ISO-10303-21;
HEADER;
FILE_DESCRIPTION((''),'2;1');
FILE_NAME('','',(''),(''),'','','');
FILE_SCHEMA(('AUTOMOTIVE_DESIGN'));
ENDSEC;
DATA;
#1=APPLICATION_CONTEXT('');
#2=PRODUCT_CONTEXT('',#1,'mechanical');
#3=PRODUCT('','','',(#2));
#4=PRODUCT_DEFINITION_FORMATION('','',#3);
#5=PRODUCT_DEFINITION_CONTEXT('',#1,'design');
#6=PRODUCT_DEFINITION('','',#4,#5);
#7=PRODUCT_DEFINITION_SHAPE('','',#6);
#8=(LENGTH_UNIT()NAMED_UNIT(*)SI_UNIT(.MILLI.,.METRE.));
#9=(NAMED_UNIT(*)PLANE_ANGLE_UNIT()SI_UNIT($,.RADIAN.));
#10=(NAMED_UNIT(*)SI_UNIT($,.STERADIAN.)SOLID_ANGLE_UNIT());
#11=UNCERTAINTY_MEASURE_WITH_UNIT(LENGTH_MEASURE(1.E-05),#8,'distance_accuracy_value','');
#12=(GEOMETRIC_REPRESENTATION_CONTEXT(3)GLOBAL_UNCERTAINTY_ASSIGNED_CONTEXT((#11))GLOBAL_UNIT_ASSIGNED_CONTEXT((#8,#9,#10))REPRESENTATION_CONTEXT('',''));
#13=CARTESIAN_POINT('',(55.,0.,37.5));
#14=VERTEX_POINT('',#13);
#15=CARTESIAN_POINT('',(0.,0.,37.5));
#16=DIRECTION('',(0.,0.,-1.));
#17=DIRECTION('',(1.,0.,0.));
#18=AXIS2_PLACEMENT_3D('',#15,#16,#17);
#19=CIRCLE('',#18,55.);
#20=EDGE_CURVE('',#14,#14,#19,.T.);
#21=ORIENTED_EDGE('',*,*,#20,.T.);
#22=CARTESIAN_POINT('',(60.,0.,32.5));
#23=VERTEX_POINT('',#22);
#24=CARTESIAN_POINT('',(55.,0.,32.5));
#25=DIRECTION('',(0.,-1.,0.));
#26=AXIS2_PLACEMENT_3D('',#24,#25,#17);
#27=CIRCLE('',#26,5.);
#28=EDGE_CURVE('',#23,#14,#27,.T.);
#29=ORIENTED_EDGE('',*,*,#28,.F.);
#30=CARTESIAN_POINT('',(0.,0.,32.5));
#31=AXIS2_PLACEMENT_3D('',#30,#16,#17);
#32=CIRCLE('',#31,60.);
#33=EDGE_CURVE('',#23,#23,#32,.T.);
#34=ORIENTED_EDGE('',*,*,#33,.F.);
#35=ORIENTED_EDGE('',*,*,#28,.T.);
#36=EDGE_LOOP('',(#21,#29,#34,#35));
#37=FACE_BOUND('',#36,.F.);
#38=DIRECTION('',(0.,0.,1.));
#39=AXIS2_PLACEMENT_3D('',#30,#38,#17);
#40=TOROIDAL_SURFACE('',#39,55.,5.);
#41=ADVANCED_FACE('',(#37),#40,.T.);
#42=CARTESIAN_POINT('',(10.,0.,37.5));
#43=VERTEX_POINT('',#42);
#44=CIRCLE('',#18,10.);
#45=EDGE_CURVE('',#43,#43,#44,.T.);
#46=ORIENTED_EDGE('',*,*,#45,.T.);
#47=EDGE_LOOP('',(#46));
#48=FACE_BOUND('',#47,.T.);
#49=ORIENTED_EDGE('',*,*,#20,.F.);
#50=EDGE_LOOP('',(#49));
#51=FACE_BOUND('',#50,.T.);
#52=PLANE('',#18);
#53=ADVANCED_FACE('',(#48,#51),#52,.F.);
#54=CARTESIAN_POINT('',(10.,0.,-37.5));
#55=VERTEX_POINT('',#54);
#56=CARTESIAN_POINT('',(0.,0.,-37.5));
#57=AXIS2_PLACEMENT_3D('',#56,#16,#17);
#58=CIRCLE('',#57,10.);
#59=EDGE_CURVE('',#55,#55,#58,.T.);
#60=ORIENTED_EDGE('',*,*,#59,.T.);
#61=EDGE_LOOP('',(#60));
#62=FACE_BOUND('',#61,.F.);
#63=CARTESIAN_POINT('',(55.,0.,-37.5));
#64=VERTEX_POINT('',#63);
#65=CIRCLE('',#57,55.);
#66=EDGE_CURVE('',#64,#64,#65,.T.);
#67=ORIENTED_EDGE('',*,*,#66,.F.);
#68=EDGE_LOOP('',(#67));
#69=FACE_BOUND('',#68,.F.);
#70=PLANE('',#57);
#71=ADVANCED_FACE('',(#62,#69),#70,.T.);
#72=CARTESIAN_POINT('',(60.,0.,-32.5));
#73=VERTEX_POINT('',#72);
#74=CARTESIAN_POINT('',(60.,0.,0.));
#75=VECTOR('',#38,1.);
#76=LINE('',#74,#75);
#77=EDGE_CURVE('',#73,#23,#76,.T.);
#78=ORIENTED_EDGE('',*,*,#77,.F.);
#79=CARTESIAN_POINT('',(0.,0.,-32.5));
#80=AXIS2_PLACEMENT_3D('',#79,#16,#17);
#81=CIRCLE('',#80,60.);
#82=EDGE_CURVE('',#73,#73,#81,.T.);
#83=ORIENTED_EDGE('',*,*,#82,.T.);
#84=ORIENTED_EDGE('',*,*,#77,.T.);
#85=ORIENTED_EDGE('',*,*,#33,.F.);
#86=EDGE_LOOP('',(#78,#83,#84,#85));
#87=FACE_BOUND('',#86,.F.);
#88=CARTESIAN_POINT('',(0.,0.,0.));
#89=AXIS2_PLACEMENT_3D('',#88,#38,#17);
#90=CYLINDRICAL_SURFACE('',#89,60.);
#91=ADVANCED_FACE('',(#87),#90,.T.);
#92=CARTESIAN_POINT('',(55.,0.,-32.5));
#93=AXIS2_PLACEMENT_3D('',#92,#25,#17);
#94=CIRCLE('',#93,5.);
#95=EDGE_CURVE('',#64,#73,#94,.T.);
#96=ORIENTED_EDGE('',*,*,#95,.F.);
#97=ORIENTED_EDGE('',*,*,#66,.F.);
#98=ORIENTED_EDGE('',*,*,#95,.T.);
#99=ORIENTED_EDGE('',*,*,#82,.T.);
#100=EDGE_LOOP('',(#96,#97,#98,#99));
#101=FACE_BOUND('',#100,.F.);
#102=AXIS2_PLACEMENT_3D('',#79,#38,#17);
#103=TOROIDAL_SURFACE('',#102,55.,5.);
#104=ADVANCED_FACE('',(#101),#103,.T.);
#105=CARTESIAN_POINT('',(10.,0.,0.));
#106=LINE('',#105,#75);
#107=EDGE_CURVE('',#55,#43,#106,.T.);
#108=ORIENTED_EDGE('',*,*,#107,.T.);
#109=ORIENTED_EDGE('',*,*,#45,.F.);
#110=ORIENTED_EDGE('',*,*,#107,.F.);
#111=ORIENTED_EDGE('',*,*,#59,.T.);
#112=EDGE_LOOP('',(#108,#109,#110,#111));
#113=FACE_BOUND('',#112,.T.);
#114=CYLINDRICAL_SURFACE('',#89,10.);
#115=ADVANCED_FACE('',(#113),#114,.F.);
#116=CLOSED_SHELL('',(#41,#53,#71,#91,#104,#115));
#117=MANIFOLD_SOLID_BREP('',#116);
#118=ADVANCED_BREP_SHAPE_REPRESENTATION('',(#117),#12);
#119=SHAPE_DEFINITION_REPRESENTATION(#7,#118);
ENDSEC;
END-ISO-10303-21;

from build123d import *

# Parameters (mm, degrees)
F0_W = 50
F0_H = 75
F2_R = 5


with BuildPart() as f1:
    # F0 (on Front) → F1 (revolve)
    with BuildSketch(Plane.XZ):
        with Locations((35, 0)):
            Rectangle(F0_W, F0_H)
    revolve(axis=Axis((0, 0, 6.589413), (0, 0, -1)))

    # F2
    f2_edges = [f1.edges().sort_by_distance(p)[0] for p in [
        (-60, 0, 37.5),
        (-60, 0, -37.5),
    ]]
    fillet(f2_edges, radius=F2_R)


solid = f1.part
